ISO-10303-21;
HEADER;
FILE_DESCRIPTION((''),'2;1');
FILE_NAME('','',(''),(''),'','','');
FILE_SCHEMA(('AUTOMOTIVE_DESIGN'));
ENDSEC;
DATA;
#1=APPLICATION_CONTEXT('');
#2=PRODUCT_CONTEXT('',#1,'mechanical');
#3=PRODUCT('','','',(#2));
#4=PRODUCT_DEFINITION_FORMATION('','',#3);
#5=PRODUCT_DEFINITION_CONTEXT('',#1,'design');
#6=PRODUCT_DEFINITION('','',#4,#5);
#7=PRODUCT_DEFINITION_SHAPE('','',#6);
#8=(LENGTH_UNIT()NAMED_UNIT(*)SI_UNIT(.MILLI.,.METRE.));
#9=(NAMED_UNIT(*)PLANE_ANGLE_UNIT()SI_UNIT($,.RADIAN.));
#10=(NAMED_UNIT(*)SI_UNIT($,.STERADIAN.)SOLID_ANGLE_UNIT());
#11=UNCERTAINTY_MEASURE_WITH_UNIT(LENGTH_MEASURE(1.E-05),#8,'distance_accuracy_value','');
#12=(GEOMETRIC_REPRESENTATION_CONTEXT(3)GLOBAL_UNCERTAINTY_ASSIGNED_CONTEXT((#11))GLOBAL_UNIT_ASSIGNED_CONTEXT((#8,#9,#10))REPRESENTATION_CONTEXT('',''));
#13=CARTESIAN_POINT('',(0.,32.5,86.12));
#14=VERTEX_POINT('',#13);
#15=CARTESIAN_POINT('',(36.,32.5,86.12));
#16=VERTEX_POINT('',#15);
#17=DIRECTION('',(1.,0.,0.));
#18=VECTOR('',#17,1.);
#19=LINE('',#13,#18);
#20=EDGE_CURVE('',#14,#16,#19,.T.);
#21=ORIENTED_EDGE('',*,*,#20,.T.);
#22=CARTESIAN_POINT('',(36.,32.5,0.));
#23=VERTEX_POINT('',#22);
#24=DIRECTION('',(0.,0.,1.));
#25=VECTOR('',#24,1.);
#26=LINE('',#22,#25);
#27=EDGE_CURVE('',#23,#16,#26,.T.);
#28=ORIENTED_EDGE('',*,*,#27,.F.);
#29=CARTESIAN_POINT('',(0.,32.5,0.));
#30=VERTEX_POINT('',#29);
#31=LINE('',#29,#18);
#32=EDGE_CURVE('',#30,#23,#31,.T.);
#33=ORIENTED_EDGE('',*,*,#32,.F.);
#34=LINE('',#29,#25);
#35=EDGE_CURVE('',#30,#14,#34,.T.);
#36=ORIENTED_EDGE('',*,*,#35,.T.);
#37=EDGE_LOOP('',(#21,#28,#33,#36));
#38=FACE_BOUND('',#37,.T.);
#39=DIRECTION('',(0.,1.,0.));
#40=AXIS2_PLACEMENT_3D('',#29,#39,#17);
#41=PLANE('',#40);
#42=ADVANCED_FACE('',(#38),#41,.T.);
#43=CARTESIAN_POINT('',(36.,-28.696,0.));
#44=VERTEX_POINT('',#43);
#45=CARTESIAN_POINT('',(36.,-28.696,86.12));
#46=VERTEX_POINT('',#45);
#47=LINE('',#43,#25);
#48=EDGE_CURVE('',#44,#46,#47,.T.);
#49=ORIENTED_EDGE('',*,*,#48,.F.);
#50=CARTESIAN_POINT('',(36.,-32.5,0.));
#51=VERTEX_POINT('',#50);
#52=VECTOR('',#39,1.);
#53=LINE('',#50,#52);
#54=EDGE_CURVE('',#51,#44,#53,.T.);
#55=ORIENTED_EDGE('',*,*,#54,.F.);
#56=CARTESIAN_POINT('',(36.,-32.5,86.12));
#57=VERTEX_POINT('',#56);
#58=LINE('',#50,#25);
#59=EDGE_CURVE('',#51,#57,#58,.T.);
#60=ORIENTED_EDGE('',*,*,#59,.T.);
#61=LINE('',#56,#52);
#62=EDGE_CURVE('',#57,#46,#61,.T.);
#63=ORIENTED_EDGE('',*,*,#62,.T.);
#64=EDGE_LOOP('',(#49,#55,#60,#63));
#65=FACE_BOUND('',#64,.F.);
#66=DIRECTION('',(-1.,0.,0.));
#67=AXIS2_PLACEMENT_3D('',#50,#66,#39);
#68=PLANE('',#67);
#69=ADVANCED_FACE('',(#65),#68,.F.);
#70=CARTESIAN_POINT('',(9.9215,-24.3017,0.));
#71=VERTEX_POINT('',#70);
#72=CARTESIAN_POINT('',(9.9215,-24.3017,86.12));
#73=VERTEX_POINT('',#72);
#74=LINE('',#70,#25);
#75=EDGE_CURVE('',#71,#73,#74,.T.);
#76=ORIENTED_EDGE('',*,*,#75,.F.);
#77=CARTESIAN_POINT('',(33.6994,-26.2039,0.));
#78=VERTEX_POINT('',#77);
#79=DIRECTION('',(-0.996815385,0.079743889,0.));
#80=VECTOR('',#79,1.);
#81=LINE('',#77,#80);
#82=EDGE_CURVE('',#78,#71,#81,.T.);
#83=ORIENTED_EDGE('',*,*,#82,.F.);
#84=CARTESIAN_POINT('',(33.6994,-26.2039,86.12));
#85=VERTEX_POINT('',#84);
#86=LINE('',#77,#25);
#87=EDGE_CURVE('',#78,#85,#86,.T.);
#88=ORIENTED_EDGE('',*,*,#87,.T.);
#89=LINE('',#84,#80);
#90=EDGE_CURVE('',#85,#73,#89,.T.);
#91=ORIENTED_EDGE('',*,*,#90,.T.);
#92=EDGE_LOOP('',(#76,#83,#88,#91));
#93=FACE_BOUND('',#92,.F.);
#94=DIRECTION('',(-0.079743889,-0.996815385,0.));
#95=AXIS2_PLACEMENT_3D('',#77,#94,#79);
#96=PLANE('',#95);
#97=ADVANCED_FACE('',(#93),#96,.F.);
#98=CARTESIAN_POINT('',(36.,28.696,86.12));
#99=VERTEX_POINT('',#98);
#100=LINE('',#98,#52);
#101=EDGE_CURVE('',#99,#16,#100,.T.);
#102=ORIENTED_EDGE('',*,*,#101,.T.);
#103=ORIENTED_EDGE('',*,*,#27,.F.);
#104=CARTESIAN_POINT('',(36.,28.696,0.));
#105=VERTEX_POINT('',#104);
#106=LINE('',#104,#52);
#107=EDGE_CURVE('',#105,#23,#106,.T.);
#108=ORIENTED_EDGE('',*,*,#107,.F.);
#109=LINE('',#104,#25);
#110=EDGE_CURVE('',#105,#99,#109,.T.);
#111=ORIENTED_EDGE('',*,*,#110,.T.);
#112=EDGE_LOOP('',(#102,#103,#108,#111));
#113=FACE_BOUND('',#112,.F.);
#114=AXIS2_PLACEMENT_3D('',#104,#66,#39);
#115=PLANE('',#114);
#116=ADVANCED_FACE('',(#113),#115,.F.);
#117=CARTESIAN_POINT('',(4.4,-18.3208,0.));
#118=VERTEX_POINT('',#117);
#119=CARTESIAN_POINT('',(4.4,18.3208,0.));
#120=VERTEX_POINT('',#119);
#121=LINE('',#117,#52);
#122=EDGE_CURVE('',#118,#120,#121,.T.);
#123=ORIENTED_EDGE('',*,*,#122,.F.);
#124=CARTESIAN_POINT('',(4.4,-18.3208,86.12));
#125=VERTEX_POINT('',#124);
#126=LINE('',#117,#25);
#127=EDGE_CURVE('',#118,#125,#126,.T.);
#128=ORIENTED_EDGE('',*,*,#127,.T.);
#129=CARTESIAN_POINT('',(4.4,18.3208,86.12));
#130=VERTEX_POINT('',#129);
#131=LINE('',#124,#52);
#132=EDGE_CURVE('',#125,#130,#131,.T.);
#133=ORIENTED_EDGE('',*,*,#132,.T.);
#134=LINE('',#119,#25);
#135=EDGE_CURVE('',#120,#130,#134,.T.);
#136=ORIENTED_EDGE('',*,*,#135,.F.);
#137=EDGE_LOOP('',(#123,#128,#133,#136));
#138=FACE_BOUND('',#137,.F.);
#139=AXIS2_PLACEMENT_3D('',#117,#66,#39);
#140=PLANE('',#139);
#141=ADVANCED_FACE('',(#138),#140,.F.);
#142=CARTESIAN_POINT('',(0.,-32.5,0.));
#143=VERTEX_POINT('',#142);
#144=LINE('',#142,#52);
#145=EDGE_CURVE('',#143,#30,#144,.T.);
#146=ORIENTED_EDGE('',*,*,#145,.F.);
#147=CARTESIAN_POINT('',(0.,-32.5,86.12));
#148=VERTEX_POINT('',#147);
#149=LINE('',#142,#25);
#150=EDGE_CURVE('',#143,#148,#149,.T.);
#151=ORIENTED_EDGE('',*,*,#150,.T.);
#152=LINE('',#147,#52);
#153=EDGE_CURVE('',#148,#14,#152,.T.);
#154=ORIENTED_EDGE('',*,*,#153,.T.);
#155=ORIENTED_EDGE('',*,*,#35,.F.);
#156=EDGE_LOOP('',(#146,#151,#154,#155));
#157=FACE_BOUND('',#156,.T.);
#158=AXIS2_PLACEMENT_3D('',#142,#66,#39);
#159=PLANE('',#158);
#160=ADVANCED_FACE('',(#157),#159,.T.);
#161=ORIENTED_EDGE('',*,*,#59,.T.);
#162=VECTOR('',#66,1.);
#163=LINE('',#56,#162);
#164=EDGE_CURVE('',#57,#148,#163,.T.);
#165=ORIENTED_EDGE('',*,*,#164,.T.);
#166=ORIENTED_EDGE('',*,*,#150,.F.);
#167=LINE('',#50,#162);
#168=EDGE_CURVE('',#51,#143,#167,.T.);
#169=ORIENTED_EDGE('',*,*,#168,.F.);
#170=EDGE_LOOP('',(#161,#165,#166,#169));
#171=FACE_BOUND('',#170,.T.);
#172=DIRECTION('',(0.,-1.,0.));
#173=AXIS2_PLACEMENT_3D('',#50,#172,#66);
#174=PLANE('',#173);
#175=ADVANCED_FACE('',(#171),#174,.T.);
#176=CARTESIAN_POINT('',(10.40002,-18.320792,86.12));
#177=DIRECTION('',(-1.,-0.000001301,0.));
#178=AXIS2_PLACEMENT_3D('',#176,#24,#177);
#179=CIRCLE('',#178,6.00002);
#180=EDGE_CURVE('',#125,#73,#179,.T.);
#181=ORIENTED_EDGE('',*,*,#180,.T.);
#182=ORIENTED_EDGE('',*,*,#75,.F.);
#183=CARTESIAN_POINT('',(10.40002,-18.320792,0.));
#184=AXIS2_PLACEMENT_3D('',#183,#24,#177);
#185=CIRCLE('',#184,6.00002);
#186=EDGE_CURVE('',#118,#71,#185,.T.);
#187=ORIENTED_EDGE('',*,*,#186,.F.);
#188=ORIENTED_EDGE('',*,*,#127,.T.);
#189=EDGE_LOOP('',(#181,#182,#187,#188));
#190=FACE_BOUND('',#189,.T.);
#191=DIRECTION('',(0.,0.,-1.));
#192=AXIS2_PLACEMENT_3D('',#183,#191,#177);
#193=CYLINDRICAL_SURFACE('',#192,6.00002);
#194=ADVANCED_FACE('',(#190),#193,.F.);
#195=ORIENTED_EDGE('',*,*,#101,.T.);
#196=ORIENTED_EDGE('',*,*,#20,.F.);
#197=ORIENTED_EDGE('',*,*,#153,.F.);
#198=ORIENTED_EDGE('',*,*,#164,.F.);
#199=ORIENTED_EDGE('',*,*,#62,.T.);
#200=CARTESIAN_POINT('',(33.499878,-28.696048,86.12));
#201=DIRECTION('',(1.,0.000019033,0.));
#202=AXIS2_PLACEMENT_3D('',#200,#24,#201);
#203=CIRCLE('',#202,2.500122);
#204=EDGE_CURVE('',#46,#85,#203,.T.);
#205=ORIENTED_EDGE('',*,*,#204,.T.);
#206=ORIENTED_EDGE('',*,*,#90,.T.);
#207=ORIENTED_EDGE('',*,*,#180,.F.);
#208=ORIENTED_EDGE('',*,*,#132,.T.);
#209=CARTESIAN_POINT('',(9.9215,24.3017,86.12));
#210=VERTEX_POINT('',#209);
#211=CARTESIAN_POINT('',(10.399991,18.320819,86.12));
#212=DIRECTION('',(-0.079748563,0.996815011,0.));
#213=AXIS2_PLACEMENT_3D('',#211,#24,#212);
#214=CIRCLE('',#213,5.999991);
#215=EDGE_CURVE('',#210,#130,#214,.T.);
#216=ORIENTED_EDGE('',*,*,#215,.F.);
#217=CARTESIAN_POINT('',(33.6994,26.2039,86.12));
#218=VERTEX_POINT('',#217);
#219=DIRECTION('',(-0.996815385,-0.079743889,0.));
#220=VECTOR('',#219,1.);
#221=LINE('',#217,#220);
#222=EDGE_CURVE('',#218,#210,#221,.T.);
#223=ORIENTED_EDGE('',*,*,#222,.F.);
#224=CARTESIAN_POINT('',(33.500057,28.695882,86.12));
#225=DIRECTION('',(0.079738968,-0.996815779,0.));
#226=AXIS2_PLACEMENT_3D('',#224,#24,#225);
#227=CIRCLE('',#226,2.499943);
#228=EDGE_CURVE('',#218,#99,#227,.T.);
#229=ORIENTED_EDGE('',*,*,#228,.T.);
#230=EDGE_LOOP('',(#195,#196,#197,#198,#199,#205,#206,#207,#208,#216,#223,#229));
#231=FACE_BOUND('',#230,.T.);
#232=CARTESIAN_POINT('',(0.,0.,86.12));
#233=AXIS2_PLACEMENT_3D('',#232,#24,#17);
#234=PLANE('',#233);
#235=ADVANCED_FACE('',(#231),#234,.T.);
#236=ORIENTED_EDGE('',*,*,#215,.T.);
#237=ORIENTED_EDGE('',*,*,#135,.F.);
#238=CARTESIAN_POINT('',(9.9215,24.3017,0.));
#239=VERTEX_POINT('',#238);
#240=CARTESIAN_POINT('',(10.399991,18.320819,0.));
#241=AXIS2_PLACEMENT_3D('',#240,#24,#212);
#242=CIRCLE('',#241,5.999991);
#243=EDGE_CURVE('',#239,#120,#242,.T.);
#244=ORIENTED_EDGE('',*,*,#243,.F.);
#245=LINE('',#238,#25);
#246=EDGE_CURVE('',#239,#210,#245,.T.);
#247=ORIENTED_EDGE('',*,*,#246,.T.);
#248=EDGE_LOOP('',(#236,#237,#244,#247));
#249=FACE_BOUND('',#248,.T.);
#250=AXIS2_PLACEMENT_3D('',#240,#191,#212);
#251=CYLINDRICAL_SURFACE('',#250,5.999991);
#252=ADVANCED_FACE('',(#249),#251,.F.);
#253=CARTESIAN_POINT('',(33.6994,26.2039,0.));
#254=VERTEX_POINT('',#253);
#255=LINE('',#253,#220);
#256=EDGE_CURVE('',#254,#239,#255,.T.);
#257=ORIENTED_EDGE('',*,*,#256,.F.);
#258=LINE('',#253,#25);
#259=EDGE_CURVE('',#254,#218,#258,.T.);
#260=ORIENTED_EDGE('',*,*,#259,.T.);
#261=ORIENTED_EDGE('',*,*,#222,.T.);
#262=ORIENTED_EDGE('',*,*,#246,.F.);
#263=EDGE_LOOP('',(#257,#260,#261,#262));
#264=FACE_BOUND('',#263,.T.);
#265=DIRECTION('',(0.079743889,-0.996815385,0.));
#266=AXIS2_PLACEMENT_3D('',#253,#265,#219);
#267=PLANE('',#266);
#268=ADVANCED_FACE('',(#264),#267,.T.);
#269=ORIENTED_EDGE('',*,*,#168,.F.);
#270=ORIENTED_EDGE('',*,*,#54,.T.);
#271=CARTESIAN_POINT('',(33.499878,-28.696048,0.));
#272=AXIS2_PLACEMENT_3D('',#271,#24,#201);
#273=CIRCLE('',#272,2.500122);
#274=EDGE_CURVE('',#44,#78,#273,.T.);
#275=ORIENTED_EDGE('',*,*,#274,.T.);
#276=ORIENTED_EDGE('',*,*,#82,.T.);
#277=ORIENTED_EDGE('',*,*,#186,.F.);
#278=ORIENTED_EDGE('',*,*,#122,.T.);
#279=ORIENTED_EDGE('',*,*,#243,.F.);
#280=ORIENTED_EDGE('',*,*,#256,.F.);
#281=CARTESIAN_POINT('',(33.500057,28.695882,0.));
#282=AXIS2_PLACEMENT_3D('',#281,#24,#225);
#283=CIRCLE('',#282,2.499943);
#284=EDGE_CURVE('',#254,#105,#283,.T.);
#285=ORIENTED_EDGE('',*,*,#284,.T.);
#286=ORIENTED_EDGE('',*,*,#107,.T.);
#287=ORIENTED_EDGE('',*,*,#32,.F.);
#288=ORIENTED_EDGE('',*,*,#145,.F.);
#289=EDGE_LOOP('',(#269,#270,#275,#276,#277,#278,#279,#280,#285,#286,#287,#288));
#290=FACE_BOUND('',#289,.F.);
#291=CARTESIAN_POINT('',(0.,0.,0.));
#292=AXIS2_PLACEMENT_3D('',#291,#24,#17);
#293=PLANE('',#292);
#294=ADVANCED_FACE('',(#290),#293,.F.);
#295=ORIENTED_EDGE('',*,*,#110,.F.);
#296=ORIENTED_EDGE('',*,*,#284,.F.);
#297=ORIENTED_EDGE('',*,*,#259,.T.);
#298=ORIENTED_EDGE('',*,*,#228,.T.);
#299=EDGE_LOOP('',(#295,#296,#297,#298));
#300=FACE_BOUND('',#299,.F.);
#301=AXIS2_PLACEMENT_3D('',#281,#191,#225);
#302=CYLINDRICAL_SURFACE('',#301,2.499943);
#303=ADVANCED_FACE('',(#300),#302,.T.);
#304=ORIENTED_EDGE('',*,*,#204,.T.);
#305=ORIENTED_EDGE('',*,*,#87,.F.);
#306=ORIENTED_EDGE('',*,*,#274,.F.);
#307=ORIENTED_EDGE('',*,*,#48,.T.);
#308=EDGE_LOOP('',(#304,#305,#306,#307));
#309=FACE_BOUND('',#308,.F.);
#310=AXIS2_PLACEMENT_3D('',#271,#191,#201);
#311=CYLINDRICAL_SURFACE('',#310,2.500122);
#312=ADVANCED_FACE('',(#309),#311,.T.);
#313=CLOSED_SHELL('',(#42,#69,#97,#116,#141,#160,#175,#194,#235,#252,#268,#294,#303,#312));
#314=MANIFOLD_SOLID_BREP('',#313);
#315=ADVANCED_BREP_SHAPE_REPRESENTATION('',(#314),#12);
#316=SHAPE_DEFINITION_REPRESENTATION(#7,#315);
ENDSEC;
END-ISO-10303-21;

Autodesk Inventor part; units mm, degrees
ref_plane "Начальная плоскость" through (0, 0, 0) normal (0, 0, 1) x (1, 0, 0)
ref_plane "Конечная плоскость" through (0, 0, 86.12) normal (0, 0, 1) x (1, 0, 0)
sketch "Эскиз" plane through (0, 0, 0) normal (0, 0, 1) x (1, 0, 0)
  line L0 (36, -32.5) -> (0, -32.5)
  line L1 (36, -32.5) -> (36, -28.696)
  line L2 (33.6994, -26.2039) -> (9.9215, -24.3017)
  line L3 (4.4, -18.3208) -> (4.4, 18.3208)
  line L4 (33.6994, 26.2039) -> (9.9215, 24.3017)
  line L5 (36, 28.696) -> (36, 32.5)
  line L6 (0, 32.5) -> (36, 32.5)
  line L7 (0, -32.5) -> (0, 32.5)
  arc A0 (4.4, -18.3208) -> (9.9215, -24.3017) centre (10.4, -18.3208) ccw
  arc A1 (9.9215, 24.3017) -> (4.4, 18.3208) centre (10.4, 18.3208) ccw
  arc A2 (36, -28.696) -> (33.6994, -26.2039) centre (33.5, -28.696) ccw
  arc A3 (33.6994, 26.2039) -> (36, 28.696) centre (33.5, 28.696) ccw
  line L8 (0, 45.5) -> (0, -45.5) construction
  line L9 (-7.2974, 0) -> (43.7847, 0) construction
  point P0 (36, -26.388)
  point P1 (4.4, -23.86)
  point P2 (4.4, 23.86)
  point P3 (36, 26.388)
  dimension "d3" = 36
  dimension "d5" = 4.4
  dimension "d7" = 65
  dimension "d9" = 8.64
  dimension "d11" = 8.64
  dimension "d13" = 6.112
  dimension "d15" = 6.112
  dimension "d22" = 6
  dimension "d23" = 2.5
  dimension "d24" = 32.5
  dimension "d25" = 0
extrude "Тело" add sketch "Эскиз" along normal up to surface (86.12 mm away) from surface at 0
sketch "Sketch3" plane through (0, 0, 0) normal (0, 0, 1) x (1, 0, 0)
  line L0 (0, 0) -> (10, 0)
ref_plane "Work Plane7" through (0, 0, 0) normal (0, -1, 0) x (1, 0, 0)
sketch "Sketch4" plane through (0, 0, 0) normal (0, -1, 0) x (1, 0, 0)
  line L0 (-2, 0) -> (12, 0)
  line L1 (-2, 86.12) -> (12, 86.12)
  dimension "d29" = 86.12
ref_plane "РабПлоскость8" through (18, -32.5, 0) normal (0, 0, -1) x (-1, 0, 0)
split "Разделение1" plane through (18, -32.5, 0) removes the side toward (0, 0, -1)
ref_plane "РабПлоскость9" through (0, 0, 86.12) normal (0, 0, 1) x (1, 0, 0)
split "Разделение2" plane through (0, 0, 86.12) removes the side toward (0, 0, 1)
equation "\"d3\" = b"
equation "\"d5\" = t1"
equation "\"d7\" = ParH"
equation "\"d9\" = msp_x1 + t2"
equation "\"d11\" = msp_x1 + t2"
equation "\"d13\" = -msp_x2 + t2"
equation "\"d15\" = -msp_x2 + t2"
equation "\"d22\" = R"
equation "\"d23\" = R1"
equation "\"d24\" = 0.5 * d7"
equation "\"d16\" = G_L"
equation "\"R1\" = 2.5"
equation "\"R\" = 6"
equation "\"t1\" = 4.4"
equation "\"t2\" = 7.2"
equation "\"ParH\" = 65"
equation "\"b\" = 36"
equation "\"msp_x1\" = 0.04 * b"
equation "\"msp_x2\" = -0.08 * t1 + 0.04 * b"
equation "\"G_L\" = d29"
equation "\"ex\" = 0"
equation "\"G_OFFSET_START\" = 0"
equation "\"G_OFFSET_END\" = 0"
equation "\"d27\" = G_OFFSET_END + B_L"
equation "\"B_L\" = 86.12"
properties part number "Швеллер 6.5U-86,12 ГОСТ 8240-97" material "Сталь, мягкая, сварочная"
